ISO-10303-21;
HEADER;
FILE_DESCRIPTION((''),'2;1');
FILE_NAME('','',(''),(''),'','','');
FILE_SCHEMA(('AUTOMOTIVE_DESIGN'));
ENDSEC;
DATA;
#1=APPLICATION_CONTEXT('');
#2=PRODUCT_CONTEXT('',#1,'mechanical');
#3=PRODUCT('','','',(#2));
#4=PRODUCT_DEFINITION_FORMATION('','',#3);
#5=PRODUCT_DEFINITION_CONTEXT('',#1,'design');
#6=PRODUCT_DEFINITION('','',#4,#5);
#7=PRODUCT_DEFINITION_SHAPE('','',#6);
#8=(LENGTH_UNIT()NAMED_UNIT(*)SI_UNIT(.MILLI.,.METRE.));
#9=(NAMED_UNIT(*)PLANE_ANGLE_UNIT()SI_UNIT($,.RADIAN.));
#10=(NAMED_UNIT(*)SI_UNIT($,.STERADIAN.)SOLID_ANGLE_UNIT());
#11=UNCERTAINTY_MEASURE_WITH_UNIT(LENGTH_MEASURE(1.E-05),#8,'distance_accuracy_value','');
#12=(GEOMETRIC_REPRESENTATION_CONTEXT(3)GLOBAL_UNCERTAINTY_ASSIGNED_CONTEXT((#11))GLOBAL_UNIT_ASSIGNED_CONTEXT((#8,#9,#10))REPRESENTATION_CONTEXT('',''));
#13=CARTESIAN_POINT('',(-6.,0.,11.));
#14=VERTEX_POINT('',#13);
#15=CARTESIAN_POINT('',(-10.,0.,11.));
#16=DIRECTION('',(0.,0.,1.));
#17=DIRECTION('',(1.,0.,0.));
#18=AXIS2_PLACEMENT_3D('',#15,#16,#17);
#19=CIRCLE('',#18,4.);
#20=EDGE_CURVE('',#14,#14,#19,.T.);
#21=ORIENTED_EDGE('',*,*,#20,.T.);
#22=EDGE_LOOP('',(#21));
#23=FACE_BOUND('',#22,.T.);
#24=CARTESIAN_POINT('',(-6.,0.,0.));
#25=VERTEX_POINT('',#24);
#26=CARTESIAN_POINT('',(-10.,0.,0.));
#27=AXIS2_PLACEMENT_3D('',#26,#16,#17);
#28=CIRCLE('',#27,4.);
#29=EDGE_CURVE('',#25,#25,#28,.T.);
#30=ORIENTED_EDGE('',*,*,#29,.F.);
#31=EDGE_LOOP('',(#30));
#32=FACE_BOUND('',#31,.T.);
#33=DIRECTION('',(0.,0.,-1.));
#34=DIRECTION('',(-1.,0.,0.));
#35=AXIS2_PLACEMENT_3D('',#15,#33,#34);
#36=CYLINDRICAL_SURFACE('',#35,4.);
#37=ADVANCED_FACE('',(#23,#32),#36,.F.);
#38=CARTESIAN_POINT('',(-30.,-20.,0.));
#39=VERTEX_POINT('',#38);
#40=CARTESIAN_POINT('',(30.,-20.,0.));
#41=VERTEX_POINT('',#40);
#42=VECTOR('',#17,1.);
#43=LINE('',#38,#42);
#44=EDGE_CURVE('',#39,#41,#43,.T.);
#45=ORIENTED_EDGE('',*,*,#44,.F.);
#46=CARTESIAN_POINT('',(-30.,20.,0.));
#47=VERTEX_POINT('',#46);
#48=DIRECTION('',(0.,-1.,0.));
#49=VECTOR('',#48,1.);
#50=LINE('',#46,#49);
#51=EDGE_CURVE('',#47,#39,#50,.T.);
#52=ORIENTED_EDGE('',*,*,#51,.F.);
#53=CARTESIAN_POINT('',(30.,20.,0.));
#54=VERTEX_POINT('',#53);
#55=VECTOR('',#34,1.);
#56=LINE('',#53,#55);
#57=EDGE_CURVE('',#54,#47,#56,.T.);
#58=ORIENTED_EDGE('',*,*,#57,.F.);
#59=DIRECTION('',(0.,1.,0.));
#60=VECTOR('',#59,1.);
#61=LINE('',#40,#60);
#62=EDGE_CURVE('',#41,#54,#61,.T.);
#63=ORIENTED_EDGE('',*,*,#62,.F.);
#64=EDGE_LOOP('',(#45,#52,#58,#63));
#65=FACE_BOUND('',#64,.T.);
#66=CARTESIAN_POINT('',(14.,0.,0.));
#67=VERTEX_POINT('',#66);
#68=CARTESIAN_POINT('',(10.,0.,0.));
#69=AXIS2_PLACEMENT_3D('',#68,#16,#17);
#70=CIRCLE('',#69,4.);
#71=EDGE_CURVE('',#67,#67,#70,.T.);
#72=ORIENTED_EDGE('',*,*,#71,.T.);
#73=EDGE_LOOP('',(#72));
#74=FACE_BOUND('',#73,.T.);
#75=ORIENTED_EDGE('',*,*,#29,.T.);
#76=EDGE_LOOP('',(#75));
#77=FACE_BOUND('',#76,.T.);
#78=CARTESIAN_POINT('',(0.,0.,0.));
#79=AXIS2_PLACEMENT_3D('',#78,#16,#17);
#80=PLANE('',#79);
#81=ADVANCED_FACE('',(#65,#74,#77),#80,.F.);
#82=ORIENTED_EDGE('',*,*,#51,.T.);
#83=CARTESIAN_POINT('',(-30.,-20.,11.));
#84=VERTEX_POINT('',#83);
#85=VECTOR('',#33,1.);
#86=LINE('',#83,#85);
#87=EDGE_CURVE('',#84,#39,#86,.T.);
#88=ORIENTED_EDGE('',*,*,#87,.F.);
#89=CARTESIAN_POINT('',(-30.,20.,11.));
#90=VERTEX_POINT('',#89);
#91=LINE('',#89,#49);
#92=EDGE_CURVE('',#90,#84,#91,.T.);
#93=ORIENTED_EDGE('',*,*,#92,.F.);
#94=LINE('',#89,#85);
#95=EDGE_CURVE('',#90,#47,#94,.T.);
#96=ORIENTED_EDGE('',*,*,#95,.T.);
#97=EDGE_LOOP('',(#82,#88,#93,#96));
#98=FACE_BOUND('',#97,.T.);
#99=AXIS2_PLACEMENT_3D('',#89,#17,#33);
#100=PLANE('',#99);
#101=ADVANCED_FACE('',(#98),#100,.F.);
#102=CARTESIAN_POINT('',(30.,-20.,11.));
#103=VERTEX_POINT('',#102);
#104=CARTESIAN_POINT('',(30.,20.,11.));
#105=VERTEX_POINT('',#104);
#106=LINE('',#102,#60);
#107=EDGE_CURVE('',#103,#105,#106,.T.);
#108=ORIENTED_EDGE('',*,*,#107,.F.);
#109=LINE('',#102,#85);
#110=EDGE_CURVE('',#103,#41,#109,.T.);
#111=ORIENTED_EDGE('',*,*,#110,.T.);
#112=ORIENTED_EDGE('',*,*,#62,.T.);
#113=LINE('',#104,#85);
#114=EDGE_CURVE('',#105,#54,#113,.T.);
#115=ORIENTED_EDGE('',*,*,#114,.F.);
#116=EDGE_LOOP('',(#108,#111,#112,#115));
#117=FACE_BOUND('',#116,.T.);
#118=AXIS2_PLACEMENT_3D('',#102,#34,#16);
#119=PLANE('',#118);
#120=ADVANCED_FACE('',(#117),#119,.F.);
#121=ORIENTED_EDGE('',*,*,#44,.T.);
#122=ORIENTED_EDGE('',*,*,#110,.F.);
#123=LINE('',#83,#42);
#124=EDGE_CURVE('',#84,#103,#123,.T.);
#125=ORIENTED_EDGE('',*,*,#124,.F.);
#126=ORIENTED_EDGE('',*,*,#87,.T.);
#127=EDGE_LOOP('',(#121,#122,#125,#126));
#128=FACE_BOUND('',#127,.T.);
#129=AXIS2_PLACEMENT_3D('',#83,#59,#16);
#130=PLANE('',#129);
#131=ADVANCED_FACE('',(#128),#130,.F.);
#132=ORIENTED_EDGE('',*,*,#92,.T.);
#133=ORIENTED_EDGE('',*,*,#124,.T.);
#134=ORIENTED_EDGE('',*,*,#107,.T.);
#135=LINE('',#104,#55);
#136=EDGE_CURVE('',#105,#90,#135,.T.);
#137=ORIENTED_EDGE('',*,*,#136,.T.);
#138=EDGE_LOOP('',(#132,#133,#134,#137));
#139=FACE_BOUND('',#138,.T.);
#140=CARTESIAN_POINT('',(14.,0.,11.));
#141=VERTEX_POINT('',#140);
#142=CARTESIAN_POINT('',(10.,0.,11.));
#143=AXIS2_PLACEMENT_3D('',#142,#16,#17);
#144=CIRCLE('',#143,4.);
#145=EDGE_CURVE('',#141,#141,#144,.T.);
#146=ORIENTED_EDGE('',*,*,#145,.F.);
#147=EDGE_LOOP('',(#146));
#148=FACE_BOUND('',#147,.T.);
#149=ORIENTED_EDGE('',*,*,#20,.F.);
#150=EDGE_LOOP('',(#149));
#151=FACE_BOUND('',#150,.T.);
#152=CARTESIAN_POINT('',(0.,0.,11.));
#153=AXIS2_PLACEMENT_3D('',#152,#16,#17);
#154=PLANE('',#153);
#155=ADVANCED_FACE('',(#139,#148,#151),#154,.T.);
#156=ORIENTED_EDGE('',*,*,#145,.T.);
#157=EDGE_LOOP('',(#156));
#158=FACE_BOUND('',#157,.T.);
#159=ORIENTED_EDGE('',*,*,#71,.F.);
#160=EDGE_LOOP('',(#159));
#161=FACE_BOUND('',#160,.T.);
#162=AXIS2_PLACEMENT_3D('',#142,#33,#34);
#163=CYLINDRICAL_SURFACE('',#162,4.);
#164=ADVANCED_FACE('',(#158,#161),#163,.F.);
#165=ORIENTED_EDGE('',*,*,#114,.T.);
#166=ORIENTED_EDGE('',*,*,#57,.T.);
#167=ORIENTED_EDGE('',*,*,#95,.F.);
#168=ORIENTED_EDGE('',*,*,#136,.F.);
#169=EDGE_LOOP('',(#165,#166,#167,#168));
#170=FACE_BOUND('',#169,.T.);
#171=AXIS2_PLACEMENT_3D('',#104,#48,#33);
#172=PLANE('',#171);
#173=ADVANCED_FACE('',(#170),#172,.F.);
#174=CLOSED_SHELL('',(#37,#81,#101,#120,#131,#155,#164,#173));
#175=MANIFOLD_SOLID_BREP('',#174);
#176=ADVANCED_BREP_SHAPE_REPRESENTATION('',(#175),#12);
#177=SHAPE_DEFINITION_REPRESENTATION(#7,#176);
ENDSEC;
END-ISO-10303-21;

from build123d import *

# Parameters (mm, degrees)
SKETCH1_W           = 60
SKETCH1_H           = 40
SKETCH1_R           = 4
BOSS_EXTRUDE1_DEPTH = 11


with BuildPart() as part:
    # Sketch1 → Boss-Extrude1 (new body)
    with BuildSketch(Plane.XY):
        Rectangle(SKETCH1_W, SKETCH1_H)
        with Locations((-10, 0)):
            Circle(SKETCH1_R, mode=Mode.SUBTRACT)
        with Locations((10, 0)):
            Circle(SKETCH1_R, mode=Mode.SUBTRACT)
    extrude(amount=BOSS_EXTRUDE1_DEPTH)


solid = part.part
